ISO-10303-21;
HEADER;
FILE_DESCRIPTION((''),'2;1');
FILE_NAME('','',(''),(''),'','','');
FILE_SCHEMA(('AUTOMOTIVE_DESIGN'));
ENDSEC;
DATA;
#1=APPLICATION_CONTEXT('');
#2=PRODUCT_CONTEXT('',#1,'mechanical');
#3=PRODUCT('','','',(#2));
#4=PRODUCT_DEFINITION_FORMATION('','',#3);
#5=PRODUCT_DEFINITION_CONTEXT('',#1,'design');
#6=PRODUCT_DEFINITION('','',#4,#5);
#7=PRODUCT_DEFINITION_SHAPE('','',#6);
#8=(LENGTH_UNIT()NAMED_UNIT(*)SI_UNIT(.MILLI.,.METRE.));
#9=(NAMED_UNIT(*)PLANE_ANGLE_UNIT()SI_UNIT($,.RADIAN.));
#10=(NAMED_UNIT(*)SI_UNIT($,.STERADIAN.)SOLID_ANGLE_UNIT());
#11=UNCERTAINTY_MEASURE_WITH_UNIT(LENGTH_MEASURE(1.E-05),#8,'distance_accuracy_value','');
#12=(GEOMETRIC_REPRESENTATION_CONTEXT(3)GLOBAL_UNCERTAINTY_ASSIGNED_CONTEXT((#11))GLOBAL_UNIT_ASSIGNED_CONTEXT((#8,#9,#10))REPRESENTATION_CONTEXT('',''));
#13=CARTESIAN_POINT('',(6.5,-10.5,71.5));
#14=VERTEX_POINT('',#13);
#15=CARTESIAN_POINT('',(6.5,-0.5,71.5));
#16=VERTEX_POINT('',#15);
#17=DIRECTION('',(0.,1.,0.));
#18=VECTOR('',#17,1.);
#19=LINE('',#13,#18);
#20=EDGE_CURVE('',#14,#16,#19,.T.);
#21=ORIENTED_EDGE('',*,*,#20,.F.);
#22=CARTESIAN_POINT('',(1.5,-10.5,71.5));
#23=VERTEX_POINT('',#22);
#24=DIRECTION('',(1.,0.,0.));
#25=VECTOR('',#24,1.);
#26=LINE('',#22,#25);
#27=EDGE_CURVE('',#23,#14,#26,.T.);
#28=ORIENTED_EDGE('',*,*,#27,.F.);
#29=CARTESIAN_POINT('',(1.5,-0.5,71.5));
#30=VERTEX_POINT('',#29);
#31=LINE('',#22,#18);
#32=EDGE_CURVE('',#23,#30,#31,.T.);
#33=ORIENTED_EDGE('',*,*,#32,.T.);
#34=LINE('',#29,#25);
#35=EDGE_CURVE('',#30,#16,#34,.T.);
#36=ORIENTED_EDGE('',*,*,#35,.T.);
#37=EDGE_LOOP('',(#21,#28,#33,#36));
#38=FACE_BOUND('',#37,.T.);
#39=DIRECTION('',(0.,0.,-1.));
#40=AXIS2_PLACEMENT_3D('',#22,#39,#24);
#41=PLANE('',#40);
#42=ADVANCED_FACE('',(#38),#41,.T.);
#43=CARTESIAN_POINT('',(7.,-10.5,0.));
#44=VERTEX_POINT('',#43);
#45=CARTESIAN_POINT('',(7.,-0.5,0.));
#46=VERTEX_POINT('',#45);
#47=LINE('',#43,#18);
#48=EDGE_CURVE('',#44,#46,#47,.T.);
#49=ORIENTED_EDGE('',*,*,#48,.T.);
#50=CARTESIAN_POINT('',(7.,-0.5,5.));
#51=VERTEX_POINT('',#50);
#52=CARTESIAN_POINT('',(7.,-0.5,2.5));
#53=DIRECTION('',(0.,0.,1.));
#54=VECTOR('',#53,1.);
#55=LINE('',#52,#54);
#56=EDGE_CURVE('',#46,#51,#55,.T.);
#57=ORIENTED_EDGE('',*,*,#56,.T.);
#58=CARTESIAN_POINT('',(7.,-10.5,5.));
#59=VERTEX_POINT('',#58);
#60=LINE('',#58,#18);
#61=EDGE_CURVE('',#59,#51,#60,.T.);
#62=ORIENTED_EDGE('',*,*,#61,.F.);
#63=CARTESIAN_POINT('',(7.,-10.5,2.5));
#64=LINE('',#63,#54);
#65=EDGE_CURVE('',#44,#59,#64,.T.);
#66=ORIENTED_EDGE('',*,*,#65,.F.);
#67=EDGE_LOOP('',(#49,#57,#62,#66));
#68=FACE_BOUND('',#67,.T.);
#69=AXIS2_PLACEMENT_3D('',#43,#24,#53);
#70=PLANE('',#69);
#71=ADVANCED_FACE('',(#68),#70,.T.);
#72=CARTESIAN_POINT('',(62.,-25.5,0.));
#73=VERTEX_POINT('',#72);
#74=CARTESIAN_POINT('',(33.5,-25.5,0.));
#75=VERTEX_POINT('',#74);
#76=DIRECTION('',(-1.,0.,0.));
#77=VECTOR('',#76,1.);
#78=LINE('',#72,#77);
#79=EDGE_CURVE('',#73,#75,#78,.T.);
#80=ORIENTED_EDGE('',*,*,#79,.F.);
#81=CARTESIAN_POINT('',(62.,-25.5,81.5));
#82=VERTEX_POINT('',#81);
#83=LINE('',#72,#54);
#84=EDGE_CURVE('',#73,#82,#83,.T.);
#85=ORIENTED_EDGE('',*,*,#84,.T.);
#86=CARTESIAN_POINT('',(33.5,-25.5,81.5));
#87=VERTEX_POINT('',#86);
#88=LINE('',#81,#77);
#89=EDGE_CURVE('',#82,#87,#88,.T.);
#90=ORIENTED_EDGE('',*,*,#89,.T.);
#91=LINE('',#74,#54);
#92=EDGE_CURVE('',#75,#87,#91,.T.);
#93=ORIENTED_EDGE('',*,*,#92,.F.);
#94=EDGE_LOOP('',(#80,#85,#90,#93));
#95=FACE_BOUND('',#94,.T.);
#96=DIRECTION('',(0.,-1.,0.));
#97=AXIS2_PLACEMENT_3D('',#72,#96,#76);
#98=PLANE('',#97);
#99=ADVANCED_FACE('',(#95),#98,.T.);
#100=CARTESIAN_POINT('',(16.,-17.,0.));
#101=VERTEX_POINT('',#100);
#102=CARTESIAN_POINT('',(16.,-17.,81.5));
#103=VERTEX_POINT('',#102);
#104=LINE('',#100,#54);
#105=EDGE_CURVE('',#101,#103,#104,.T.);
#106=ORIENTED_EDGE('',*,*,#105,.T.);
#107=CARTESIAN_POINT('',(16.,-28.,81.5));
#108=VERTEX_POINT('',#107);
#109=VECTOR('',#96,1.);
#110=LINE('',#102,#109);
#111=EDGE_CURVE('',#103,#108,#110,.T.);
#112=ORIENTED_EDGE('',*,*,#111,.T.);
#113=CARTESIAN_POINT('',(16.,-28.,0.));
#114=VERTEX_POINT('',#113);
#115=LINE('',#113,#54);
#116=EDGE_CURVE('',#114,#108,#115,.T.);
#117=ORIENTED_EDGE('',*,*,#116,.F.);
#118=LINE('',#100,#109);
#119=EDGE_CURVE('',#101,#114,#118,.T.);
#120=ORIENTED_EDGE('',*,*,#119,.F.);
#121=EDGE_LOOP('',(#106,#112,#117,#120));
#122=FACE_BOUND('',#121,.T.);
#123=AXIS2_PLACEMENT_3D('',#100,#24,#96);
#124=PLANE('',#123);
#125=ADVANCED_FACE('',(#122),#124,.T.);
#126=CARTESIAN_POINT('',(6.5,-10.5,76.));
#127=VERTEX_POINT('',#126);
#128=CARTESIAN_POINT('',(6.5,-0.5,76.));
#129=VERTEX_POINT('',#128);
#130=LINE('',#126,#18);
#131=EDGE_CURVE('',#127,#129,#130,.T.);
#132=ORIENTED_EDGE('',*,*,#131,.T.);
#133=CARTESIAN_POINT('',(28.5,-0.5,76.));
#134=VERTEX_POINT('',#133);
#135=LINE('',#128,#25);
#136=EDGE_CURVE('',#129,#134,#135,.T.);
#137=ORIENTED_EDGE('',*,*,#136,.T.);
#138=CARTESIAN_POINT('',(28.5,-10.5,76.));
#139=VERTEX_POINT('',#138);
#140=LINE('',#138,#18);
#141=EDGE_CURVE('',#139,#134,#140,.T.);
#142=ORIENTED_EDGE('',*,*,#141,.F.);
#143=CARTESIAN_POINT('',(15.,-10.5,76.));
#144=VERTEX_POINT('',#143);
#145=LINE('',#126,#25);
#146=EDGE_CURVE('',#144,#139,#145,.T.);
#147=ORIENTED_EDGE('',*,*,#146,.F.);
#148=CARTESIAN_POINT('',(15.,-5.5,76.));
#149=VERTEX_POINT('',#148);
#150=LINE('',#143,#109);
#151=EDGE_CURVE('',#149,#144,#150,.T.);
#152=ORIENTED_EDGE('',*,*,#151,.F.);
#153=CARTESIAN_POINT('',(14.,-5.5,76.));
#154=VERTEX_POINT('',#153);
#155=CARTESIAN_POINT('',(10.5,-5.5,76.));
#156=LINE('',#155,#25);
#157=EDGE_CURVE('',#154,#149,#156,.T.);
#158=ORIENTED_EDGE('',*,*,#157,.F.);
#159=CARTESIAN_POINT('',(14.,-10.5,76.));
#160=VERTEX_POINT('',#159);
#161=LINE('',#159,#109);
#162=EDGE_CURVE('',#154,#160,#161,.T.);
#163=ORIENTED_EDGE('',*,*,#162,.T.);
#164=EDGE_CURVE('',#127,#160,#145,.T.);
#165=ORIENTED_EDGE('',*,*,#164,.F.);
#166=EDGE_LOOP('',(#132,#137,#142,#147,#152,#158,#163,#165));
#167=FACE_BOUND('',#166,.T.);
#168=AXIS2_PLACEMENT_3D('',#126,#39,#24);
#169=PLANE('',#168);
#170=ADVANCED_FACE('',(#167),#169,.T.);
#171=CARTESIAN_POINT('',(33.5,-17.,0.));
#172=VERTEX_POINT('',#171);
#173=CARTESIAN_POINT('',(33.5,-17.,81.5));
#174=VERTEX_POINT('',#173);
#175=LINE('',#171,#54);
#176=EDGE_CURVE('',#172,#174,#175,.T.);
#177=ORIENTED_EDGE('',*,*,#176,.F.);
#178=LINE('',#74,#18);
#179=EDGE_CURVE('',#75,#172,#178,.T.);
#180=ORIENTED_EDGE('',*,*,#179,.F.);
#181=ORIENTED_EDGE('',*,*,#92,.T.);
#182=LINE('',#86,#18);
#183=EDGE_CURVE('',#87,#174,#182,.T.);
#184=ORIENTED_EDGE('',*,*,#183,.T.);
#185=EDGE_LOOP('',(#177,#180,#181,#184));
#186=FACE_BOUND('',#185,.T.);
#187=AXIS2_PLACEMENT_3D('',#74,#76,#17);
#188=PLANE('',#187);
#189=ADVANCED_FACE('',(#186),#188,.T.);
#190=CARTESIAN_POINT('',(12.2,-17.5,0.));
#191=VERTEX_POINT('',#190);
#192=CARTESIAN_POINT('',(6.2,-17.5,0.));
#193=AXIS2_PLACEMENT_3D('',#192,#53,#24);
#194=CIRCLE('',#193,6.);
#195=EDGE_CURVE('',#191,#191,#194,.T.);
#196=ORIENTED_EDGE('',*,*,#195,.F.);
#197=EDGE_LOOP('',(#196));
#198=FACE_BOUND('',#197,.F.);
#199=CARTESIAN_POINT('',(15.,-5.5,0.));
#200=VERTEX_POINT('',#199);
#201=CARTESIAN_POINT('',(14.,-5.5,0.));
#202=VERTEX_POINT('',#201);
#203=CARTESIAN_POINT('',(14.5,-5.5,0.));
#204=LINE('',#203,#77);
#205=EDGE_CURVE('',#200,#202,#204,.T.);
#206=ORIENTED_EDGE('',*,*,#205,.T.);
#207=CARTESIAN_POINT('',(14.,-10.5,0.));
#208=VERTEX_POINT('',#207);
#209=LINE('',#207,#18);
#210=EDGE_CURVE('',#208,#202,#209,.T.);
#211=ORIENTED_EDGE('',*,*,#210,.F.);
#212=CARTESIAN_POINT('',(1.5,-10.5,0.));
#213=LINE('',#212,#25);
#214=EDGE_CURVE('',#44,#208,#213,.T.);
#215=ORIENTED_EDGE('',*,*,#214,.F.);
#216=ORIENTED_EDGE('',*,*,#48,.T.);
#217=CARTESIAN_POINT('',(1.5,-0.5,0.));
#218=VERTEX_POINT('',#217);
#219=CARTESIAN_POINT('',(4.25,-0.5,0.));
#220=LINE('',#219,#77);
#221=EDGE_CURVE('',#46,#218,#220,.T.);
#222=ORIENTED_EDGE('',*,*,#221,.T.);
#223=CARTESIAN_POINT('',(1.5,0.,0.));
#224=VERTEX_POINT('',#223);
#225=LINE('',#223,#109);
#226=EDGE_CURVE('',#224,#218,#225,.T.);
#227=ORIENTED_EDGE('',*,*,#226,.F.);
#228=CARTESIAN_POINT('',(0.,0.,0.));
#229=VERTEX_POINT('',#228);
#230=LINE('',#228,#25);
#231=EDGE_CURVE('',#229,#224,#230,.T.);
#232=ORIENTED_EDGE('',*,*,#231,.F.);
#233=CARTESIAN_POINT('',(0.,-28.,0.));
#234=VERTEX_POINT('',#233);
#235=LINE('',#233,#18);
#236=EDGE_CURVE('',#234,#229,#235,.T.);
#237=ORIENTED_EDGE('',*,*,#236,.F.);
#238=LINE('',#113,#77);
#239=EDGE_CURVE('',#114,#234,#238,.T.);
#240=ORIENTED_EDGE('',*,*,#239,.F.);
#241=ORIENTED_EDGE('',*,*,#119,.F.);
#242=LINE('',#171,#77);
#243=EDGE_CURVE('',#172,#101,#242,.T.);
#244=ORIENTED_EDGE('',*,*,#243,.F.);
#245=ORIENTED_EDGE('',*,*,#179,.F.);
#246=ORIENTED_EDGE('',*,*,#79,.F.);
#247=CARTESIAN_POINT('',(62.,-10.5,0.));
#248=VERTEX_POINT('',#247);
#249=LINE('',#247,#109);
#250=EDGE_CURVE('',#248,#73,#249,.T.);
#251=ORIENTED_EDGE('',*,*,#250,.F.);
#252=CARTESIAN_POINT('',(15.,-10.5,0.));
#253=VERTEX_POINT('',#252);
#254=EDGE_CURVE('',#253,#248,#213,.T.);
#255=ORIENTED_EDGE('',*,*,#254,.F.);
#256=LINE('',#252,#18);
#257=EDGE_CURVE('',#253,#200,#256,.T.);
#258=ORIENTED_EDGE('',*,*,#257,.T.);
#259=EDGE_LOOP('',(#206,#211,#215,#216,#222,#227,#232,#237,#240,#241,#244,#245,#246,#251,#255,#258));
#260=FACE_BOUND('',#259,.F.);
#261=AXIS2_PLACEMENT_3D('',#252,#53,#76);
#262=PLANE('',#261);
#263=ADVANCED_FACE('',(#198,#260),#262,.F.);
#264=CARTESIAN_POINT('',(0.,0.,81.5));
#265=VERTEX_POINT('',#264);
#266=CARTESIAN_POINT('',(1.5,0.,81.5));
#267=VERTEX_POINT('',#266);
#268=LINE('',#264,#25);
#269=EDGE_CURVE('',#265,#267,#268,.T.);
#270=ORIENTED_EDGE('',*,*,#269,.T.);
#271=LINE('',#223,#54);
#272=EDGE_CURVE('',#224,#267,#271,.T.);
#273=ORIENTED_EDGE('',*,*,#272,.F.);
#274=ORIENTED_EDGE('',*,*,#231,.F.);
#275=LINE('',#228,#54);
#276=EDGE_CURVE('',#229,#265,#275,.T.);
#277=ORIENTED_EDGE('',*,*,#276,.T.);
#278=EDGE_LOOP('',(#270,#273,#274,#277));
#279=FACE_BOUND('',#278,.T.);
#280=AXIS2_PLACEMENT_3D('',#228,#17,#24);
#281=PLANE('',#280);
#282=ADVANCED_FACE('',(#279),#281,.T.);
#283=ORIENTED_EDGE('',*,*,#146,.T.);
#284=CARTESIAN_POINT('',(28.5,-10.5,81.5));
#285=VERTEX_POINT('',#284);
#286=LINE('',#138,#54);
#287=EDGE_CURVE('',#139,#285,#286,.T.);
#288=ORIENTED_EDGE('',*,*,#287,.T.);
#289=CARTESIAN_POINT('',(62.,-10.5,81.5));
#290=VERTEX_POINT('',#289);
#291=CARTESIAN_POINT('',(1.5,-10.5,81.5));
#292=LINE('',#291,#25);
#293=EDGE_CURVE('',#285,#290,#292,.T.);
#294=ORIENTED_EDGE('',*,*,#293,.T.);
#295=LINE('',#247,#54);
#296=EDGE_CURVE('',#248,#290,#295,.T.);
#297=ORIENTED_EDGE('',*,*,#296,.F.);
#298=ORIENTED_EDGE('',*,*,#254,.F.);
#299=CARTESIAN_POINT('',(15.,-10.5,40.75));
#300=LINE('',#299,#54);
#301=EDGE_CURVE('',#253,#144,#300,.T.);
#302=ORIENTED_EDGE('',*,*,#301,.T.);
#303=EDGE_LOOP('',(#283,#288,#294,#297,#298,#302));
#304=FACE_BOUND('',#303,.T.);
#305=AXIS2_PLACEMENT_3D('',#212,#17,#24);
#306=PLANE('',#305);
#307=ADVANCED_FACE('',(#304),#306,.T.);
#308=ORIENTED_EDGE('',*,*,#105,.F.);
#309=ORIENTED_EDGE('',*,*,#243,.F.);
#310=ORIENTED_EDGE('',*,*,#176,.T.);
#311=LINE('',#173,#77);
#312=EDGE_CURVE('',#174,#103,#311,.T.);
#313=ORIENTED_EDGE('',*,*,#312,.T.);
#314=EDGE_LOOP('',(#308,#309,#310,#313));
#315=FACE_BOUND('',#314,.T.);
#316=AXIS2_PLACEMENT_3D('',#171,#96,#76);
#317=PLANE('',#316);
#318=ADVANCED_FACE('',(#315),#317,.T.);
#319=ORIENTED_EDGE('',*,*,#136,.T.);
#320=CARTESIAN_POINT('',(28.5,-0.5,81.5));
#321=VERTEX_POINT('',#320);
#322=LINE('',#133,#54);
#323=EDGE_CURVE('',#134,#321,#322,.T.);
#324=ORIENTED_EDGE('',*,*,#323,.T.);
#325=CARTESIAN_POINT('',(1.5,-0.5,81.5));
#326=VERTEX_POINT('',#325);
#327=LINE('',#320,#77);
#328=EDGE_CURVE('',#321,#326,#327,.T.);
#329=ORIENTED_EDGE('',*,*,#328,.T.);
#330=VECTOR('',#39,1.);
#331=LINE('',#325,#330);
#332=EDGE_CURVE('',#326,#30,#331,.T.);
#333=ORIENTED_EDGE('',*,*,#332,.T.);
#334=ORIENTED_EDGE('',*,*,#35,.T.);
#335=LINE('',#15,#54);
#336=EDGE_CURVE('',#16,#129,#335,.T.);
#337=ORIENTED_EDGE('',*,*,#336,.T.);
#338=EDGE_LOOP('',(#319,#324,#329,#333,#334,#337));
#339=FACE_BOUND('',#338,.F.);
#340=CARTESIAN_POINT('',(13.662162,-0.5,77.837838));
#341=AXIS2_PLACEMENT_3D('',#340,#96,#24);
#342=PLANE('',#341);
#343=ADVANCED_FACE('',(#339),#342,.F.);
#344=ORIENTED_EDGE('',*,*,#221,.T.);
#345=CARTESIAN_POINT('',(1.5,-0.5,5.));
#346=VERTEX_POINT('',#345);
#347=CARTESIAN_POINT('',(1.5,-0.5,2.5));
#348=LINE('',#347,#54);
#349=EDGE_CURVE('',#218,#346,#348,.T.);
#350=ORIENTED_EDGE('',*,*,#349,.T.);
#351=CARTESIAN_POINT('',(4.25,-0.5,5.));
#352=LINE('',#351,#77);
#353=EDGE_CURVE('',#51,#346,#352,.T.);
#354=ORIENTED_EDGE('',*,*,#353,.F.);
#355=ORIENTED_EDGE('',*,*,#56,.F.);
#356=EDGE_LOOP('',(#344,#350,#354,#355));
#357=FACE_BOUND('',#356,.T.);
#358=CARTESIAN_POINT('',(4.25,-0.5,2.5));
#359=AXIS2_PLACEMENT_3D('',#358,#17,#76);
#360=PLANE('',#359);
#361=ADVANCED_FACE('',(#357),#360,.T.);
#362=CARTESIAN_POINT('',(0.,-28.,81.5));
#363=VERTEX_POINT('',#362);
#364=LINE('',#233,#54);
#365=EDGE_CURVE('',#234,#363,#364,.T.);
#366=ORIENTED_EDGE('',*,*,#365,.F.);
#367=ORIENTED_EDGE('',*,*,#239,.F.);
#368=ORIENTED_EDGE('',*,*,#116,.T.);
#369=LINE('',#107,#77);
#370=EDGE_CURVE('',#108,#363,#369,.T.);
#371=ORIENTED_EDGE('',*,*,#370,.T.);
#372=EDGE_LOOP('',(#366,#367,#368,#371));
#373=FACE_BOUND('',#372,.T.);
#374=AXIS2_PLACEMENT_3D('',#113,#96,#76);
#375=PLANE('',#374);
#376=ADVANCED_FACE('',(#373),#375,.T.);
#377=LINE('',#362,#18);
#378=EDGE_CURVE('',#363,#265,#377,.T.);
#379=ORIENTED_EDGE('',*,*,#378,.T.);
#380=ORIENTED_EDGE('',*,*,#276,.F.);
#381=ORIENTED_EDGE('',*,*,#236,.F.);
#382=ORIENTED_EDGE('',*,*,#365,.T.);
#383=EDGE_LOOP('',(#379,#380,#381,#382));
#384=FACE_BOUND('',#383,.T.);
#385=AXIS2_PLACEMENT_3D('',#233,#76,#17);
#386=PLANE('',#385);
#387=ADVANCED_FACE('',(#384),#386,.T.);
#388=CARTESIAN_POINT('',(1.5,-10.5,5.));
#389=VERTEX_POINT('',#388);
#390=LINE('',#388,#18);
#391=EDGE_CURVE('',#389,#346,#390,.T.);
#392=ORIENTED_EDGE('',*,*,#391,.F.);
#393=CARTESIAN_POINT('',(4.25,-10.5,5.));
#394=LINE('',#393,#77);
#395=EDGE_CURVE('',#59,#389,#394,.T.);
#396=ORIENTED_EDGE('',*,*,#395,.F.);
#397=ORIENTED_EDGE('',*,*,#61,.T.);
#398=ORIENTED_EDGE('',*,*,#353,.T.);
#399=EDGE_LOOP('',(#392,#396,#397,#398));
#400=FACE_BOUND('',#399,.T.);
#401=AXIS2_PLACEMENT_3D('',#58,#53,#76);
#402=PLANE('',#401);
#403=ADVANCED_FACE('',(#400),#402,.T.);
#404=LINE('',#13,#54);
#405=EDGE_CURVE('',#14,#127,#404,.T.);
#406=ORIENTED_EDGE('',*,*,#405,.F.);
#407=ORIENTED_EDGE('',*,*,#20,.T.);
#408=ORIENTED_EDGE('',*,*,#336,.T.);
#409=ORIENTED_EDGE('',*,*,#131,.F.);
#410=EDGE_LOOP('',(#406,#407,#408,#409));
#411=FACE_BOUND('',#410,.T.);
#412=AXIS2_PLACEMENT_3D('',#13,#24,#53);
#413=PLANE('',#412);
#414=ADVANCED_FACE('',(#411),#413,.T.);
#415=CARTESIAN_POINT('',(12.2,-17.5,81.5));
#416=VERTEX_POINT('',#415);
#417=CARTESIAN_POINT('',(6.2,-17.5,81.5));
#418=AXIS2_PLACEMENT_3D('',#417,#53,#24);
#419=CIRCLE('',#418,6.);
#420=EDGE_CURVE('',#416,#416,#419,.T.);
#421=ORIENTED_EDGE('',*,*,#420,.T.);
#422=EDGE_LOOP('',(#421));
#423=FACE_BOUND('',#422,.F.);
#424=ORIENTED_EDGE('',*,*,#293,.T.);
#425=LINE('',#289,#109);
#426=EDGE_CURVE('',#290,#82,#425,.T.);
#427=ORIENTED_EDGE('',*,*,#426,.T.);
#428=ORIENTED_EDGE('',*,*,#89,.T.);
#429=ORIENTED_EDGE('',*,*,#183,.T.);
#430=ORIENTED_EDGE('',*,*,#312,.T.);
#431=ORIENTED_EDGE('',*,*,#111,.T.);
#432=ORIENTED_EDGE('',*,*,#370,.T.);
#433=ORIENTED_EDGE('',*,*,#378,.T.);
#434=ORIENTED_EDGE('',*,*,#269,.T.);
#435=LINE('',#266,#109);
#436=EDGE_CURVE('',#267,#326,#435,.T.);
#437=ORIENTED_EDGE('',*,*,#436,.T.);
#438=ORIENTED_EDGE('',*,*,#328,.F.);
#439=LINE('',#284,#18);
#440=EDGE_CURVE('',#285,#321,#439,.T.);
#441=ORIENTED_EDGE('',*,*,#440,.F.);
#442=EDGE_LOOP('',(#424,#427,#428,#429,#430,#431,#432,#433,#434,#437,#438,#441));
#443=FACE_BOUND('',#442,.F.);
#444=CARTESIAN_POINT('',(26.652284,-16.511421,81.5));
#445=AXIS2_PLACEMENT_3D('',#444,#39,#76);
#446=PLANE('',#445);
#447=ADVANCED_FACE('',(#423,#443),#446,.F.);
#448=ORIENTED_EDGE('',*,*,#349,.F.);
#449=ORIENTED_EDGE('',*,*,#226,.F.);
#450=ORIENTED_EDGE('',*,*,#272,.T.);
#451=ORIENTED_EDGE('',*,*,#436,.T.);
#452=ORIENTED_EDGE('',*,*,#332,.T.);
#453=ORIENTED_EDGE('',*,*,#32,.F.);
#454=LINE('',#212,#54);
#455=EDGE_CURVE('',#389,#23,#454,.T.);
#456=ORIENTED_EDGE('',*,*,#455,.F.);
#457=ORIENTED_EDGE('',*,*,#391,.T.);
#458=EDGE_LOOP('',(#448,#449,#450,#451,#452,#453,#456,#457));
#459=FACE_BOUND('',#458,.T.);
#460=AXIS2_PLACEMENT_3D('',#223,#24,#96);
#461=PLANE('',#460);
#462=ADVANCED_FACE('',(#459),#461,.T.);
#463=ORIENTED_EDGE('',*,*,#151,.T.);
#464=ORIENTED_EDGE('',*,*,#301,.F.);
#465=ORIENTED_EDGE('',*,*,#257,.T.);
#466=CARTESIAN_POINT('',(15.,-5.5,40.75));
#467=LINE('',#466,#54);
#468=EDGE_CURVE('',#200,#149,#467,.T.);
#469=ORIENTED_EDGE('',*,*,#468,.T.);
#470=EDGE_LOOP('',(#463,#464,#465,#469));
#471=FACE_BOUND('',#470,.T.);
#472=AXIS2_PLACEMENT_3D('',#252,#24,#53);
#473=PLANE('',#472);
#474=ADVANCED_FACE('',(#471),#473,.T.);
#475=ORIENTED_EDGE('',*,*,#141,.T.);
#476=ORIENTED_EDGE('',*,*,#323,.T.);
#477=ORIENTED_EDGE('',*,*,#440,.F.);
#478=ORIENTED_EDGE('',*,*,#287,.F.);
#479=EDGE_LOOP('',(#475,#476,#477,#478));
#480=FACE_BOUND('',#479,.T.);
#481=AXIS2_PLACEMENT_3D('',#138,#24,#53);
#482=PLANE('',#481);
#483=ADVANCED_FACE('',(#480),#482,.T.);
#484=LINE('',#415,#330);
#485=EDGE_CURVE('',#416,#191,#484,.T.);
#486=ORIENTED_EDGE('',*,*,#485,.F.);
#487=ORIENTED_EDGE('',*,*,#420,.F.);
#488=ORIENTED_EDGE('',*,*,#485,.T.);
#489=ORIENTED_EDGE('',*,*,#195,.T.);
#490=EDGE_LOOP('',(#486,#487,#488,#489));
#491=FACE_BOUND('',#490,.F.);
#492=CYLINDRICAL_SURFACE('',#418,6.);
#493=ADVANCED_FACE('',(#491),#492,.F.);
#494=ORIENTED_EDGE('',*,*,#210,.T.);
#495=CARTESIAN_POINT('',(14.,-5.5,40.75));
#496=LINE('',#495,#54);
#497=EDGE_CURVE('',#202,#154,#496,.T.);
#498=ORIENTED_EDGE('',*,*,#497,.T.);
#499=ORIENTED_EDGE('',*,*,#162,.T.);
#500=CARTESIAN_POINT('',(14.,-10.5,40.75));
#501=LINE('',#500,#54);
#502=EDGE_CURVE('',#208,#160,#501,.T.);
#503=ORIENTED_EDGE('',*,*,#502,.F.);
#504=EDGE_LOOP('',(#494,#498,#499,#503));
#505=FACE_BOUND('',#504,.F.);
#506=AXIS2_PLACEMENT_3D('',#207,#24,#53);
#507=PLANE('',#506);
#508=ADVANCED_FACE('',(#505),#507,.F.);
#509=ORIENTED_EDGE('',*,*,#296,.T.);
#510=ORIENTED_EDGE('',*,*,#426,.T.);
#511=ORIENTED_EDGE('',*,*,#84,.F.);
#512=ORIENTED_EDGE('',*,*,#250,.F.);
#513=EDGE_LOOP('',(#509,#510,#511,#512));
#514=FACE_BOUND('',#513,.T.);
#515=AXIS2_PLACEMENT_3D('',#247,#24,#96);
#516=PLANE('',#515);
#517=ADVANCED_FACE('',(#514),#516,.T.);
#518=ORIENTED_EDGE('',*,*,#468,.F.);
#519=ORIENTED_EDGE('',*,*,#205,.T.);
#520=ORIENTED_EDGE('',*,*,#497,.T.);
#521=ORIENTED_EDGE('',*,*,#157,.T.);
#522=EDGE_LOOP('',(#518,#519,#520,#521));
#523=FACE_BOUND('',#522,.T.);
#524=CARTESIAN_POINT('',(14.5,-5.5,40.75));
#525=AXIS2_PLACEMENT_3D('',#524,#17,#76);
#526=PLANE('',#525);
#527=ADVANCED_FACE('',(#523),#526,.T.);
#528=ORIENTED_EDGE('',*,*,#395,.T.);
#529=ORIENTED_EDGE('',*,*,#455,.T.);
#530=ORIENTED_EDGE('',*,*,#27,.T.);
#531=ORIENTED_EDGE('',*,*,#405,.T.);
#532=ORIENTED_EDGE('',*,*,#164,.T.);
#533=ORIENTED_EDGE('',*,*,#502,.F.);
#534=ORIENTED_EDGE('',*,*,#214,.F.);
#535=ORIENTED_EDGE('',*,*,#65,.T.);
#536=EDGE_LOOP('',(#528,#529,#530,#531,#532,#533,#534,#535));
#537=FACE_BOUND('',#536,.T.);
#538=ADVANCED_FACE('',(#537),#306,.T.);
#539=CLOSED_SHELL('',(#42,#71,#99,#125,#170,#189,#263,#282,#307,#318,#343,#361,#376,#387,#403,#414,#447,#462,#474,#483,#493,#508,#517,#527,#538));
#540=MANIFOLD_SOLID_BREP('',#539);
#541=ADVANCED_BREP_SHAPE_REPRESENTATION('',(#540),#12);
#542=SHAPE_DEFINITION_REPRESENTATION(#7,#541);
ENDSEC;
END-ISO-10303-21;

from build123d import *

# Parameters (mm, degrees)
PAD_DEPTH    = 81.5
SKETCH001_R  = 6
POCKET_DEPTH = 81.501
SKETCH002_W  = 5.5
SKETCH002_H  = 5
PAD001_DEPTH = 10
SKETCH003_W  = 1
SKETCH003_H  = 81.5
PAD002_DEPTH = 5


with BuildPart() as part:
    # Sketch → Pad (new body)
    with BuildSketch(Plane.XY):
        Polygon((62, -10.5), (62, -25.5), (33.5, -25.5), (33.5, -17), (16, -17), (16, -28), (0, -28), (0, 0), (1.5, 0), (1.5, -10.5), align=None)
    extrude(amount=PAD_DEPTH)

    # Sketch001 (on Face12 of Pad) → Pocket (cut, through all)
    with BuildSketch(Plane.XY.offset(81.5)):
        with Locations((6.2, -17.5)):
            Circle(SKETCH001_R)
    extrude(amount=-POCKET_DEPTH, mode=Mode.SUBTRACT)

    # Sketch002 (on Face12 of Pocket) → Pad001 (join)
    with BuildSketch(Plane(origin=(0, -10.5, 0), x_dir=(-1, 0, 0), z_dir=(0, 1, 0))):
        with Locations((-4.25, 2.5)):
            Rectangle(SKETCH002_W, SKETCH002_H)
        Polygon((-28.5, 81.5), (-1.5, 81.5), (-1.5, 71.5), (-6.5, 71.5), (-6.5, 76), (-28.5, 76), align=None)
    extrude(amount=PAD001_DEPTH)

    # Sketch003 (on Face13 of Pad001) → Pad002 (join)
    with BuildSketch(Plane(origin=(0, -10.5, 0), x_dir=(-1, 0, 0), z_dir=(0, 1, 0))):
        with Locations((-14.5, 40.75)):
            Rectangle(SKETCH003_W, SKETCH003_H)
    extrude(amount=PAD002_DEPTH)


solid = part.part
